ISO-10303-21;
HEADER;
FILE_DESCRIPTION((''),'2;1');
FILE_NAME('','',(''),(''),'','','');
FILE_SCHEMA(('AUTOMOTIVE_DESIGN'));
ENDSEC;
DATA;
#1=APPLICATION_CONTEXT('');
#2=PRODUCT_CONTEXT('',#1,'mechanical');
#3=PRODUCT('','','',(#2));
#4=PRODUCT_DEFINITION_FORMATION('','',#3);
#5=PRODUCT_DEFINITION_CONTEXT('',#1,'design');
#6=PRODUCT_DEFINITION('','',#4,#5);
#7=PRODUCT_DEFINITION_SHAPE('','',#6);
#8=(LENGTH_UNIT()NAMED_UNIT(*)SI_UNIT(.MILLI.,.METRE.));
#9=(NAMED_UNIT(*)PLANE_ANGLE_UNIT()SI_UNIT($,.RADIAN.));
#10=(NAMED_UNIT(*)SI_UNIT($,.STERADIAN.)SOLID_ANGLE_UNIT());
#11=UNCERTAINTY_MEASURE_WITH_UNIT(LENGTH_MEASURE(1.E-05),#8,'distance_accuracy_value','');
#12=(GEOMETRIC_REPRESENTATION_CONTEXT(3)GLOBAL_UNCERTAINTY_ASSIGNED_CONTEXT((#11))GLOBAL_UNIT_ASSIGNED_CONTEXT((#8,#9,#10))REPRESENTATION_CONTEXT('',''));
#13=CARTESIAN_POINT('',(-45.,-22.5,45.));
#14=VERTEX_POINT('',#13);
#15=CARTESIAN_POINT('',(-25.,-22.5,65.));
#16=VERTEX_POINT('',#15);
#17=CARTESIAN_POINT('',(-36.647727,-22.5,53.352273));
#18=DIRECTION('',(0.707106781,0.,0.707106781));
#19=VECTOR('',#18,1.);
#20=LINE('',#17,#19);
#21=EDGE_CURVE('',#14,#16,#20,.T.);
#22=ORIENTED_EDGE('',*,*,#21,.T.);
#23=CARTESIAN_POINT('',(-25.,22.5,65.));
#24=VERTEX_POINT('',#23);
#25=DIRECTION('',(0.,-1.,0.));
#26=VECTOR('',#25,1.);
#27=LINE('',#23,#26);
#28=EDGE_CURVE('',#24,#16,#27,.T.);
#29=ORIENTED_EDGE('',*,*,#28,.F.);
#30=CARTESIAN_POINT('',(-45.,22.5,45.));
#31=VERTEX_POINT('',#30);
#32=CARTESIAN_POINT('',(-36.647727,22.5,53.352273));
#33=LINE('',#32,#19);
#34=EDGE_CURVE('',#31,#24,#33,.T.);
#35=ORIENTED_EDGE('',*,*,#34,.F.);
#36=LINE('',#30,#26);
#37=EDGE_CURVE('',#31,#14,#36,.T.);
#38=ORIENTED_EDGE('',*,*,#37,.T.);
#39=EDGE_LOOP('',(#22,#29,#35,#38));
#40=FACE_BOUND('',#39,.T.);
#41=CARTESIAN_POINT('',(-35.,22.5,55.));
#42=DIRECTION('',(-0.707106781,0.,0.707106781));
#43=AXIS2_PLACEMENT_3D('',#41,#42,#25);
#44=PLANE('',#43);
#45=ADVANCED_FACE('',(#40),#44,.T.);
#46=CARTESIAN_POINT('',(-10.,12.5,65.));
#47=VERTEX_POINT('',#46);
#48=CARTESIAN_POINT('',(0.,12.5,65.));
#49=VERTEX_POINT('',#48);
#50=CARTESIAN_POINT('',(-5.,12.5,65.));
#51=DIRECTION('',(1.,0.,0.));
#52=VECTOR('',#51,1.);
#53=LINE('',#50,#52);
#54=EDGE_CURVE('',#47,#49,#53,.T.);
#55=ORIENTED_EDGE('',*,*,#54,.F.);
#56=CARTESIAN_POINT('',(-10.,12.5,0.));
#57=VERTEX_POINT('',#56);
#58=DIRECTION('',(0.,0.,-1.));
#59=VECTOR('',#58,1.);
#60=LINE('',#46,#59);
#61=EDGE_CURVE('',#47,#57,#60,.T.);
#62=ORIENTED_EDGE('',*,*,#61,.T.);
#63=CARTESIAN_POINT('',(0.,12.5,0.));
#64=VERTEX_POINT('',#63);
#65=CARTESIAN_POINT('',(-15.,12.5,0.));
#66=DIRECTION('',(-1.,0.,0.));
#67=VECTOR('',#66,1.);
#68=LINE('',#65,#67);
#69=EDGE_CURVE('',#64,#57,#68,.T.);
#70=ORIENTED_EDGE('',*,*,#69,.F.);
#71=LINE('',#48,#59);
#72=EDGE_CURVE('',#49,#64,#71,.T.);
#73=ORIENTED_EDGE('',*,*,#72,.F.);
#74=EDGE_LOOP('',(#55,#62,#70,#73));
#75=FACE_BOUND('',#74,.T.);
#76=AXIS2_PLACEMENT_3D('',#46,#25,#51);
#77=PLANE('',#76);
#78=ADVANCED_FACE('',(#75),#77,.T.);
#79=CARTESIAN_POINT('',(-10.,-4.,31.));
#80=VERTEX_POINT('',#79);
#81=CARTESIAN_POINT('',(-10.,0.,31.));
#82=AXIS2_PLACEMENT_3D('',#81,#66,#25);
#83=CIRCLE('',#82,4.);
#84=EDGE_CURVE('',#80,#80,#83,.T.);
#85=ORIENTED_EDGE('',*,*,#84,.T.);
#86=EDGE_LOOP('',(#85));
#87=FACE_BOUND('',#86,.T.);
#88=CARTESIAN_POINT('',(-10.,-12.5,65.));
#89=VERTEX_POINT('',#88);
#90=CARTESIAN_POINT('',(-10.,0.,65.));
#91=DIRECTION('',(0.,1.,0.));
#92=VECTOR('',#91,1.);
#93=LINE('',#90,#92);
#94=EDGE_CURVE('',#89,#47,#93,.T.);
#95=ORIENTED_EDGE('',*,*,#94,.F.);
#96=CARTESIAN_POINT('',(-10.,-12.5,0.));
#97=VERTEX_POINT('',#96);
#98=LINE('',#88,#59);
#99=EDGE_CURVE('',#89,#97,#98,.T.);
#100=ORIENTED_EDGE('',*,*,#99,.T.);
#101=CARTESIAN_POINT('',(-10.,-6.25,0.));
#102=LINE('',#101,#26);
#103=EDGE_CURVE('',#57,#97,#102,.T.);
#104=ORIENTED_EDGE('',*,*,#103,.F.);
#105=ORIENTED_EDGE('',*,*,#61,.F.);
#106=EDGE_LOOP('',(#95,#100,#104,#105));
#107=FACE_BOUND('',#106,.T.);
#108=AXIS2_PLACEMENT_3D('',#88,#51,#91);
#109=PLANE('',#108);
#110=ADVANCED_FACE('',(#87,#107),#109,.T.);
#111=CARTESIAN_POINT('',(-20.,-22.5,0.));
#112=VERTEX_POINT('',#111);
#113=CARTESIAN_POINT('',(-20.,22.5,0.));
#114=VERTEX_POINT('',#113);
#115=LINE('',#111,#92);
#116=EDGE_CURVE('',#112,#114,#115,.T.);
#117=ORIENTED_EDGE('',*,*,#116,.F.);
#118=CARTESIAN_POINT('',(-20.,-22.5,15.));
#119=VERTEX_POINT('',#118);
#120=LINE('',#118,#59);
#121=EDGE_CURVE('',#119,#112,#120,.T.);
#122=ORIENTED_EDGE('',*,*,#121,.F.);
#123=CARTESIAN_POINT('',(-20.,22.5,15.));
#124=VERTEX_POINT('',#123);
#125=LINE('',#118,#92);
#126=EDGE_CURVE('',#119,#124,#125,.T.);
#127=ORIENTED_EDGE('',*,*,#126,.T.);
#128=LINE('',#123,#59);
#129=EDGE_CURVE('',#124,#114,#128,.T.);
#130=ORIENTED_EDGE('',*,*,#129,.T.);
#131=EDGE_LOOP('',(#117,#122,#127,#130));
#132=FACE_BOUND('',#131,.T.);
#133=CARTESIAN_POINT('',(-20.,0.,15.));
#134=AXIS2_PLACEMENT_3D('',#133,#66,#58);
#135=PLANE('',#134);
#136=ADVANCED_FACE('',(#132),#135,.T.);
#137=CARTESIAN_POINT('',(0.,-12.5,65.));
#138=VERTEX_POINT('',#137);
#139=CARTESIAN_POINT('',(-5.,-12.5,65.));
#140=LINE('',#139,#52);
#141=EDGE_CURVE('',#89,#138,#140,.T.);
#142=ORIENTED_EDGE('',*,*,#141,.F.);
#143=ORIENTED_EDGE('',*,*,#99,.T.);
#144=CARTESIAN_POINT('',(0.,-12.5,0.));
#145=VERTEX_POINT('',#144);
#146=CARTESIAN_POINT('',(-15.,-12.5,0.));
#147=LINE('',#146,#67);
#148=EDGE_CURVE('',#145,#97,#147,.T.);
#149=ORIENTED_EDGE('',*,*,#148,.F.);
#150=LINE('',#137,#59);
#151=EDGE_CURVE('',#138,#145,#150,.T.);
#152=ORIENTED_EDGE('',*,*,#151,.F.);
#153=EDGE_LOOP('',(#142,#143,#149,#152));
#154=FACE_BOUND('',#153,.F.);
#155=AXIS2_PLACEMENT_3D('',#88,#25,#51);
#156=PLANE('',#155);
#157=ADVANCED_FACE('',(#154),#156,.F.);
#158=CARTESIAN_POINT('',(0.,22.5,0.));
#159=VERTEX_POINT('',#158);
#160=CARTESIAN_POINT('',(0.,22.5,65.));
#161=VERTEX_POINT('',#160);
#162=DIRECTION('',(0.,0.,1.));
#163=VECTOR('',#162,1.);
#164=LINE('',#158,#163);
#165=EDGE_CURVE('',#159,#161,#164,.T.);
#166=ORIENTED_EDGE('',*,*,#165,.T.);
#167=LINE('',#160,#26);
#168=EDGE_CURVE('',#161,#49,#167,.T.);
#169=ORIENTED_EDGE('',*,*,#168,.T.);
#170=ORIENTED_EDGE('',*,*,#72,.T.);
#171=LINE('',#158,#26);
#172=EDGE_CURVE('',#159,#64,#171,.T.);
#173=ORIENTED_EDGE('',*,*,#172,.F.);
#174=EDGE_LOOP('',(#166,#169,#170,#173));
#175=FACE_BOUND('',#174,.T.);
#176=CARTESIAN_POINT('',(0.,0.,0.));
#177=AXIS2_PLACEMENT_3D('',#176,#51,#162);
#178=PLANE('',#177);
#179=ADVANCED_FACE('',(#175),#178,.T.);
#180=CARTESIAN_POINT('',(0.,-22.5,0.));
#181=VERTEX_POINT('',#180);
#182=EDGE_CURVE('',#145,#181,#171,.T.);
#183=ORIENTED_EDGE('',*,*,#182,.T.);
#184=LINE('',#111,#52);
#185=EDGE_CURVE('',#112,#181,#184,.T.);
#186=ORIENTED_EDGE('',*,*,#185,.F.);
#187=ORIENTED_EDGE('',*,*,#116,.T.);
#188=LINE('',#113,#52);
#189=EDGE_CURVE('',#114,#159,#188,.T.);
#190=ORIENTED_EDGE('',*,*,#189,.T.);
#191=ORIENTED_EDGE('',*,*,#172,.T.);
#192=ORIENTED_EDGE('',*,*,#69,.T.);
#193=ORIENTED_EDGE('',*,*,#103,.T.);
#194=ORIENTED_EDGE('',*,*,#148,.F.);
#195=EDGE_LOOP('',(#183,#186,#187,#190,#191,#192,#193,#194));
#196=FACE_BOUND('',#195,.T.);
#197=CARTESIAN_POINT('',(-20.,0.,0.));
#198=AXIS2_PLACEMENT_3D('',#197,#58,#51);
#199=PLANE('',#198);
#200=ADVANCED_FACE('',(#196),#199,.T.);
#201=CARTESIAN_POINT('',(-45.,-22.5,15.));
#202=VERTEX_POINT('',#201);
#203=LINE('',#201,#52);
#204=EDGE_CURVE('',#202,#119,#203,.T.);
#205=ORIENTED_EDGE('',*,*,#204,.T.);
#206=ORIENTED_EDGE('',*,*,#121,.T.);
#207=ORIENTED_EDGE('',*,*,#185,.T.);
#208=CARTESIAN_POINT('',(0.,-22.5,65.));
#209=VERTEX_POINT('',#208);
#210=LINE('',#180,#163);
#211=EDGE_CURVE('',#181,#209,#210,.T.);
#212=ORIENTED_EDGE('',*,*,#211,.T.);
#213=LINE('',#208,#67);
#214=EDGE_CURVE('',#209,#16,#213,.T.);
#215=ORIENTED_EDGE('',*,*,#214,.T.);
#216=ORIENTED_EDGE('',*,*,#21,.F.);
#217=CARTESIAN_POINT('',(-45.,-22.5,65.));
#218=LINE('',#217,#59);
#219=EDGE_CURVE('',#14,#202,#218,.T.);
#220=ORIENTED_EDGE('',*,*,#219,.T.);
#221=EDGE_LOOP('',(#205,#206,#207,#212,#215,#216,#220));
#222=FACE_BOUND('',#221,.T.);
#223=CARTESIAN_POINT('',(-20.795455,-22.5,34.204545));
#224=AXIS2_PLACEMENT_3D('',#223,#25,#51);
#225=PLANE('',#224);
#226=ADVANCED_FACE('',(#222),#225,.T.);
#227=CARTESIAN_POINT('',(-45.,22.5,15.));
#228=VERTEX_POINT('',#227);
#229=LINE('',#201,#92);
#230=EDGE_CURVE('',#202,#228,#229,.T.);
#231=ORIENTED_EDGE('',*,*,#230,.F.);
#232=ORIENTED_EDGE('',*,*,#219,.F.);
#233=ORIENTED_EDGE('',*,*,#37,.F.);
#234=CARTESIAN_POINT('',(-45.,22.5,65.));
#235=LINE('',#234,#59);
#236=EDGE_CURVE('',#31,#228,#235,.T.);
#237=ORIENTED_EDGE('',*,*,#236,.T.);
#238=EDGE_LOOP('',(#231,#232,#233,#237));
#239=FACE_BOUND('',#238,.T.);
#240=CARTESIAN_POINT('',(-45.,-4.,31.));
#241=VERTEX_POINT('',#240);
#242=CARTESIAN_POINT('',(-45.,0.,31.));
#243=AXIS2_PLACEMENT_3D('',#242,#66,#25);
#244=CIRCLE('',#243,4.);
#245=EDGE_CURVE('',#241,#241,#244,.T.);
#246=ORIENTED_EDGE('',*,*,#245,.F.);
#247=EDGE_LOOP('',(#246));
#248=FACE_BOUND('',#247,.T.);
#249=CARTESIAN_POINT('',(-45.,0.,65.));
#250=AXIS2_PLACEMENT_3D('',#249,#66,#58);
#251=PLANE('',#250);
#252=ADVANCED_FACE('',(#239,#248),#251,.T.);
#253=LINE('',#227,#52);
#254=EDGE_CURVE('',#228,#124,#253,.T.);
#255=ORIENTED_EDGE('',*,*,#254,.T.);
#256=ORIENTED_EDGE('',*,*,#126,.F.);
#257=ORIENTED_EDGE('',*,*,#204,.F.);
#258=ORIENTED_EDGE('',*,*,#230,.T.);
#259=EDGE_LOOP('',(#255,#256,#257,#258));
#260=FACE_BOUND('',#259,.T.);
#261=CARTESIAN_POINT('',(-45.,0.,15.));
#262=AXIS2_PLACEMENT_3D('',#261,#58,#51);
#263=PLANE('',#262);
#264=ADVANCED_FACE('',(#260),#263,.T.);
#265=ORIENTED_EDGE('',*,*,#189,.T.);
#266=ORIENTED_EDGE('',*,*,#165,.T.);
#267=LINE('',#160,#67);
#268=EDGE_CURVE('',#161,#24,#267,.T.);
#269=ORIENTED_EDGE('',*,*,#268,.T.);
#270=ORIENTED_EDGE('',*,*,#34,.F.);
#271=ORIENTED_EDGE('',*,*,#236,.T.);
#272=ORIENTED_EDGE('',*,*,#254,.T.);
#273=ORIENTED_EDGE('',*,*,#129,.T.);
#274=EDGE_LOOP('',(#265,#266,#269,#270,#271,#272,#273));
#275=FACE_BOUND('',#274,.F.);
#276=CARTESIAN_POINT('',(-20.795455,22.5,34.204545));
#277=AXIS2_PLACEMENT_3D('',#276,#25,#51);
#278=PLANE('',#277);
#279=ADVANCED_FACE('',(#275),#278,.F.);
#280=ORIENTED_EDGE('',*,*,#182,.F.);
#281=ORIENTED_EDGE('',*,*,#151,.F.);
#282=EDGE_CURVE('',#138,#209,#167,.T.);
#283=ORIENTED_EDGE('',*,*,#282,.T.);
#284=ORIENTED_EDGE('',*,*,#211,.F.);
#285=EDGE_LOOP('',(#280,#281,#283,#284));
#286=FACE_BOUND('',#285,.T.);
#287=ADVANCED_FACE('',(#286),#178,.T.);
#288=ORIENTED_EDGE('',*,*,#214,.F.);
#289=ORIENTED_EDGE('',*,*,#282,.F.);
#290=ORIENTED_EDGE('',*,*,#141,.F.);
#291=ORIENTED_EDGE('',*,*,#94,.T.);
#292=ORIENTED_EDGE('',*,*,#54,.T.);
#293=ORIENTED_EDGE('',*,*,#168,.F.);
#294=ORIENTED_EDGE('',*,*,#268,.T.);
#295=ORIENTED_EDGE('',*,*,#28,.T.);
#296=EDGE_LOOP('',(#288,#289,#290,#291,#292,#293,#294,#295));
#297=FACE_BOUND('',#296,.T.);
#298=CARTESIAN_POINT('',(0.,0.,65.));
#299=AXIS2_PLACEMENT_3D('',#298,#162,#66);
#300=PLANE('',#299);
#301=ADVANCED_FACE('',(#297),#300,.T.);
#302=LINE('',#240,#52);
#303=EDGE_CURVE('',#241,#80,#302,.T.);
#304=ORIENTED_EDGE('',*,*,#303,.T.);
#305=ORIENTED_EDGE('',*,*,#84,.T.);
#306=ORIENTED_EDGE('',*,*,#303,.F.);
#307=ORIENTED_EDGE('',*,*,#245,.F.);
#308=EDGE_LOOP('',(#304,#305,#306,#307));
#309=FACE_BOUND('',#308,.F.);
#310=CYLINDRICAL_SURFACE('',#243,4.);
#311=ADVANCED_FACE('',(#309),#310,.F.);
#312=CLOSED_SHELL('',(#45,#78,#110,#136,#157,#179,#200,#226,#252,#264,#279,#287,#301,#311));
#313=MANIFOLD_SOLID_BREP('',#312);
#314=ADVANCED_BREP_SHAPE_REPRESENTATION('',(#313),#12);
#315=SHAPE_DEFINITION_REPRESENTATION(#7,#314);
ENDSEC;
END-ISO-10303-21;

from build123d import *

# Parameters (mm, degrees)
F1_DEPTH = 22.5
F2_SIZE  = 20
F3_W     = 10
F3_H     = 25
F4_DEPTH = 65.001
F5_R     = 4
F6_DEPTH = 45.001


with BuildPart() as f1:
    # F0 (on Front) → F1 (new body, symmetric)
    with BuildSketch(Plane.XZ):
        Polygon((-20, 0), (0, 0), (0, 65), (-45, 65), (-45, 15), (-20, 15), align=None)
    extrude(amount=F1_DEPTH, both=True)

    # F2
    f2_edges = [f1.edges().sort_by_distance(p)[0] for p in [
        (-45, 0, 65),
    ]]
    chamfer(f2_edges, length=F2_SIZE)

    # F3 (on face) → F4 (cut, through all)
    with BuildSketch(Plane.XY.offset(65)):
        with Locations((-5, 0)):
            Rectangle(F3_W, F3_H)
    extrude(amount=-F4_DEPTH, mode=Mode.SUBTRACT)

    # F5 (on face) → F6 (cut, through all)
    with BuildSketch(Plane(origin=(-45, 0, 0), x_dir=(0, -1, 0), z_dir=(-1, 0, 0))):
        with Locations((0, 31)):
            Circle(F5_R)
    extrude(amount=-F6_DEPTH, mode=Mode.SUBTRACT)


solid = f1.part
